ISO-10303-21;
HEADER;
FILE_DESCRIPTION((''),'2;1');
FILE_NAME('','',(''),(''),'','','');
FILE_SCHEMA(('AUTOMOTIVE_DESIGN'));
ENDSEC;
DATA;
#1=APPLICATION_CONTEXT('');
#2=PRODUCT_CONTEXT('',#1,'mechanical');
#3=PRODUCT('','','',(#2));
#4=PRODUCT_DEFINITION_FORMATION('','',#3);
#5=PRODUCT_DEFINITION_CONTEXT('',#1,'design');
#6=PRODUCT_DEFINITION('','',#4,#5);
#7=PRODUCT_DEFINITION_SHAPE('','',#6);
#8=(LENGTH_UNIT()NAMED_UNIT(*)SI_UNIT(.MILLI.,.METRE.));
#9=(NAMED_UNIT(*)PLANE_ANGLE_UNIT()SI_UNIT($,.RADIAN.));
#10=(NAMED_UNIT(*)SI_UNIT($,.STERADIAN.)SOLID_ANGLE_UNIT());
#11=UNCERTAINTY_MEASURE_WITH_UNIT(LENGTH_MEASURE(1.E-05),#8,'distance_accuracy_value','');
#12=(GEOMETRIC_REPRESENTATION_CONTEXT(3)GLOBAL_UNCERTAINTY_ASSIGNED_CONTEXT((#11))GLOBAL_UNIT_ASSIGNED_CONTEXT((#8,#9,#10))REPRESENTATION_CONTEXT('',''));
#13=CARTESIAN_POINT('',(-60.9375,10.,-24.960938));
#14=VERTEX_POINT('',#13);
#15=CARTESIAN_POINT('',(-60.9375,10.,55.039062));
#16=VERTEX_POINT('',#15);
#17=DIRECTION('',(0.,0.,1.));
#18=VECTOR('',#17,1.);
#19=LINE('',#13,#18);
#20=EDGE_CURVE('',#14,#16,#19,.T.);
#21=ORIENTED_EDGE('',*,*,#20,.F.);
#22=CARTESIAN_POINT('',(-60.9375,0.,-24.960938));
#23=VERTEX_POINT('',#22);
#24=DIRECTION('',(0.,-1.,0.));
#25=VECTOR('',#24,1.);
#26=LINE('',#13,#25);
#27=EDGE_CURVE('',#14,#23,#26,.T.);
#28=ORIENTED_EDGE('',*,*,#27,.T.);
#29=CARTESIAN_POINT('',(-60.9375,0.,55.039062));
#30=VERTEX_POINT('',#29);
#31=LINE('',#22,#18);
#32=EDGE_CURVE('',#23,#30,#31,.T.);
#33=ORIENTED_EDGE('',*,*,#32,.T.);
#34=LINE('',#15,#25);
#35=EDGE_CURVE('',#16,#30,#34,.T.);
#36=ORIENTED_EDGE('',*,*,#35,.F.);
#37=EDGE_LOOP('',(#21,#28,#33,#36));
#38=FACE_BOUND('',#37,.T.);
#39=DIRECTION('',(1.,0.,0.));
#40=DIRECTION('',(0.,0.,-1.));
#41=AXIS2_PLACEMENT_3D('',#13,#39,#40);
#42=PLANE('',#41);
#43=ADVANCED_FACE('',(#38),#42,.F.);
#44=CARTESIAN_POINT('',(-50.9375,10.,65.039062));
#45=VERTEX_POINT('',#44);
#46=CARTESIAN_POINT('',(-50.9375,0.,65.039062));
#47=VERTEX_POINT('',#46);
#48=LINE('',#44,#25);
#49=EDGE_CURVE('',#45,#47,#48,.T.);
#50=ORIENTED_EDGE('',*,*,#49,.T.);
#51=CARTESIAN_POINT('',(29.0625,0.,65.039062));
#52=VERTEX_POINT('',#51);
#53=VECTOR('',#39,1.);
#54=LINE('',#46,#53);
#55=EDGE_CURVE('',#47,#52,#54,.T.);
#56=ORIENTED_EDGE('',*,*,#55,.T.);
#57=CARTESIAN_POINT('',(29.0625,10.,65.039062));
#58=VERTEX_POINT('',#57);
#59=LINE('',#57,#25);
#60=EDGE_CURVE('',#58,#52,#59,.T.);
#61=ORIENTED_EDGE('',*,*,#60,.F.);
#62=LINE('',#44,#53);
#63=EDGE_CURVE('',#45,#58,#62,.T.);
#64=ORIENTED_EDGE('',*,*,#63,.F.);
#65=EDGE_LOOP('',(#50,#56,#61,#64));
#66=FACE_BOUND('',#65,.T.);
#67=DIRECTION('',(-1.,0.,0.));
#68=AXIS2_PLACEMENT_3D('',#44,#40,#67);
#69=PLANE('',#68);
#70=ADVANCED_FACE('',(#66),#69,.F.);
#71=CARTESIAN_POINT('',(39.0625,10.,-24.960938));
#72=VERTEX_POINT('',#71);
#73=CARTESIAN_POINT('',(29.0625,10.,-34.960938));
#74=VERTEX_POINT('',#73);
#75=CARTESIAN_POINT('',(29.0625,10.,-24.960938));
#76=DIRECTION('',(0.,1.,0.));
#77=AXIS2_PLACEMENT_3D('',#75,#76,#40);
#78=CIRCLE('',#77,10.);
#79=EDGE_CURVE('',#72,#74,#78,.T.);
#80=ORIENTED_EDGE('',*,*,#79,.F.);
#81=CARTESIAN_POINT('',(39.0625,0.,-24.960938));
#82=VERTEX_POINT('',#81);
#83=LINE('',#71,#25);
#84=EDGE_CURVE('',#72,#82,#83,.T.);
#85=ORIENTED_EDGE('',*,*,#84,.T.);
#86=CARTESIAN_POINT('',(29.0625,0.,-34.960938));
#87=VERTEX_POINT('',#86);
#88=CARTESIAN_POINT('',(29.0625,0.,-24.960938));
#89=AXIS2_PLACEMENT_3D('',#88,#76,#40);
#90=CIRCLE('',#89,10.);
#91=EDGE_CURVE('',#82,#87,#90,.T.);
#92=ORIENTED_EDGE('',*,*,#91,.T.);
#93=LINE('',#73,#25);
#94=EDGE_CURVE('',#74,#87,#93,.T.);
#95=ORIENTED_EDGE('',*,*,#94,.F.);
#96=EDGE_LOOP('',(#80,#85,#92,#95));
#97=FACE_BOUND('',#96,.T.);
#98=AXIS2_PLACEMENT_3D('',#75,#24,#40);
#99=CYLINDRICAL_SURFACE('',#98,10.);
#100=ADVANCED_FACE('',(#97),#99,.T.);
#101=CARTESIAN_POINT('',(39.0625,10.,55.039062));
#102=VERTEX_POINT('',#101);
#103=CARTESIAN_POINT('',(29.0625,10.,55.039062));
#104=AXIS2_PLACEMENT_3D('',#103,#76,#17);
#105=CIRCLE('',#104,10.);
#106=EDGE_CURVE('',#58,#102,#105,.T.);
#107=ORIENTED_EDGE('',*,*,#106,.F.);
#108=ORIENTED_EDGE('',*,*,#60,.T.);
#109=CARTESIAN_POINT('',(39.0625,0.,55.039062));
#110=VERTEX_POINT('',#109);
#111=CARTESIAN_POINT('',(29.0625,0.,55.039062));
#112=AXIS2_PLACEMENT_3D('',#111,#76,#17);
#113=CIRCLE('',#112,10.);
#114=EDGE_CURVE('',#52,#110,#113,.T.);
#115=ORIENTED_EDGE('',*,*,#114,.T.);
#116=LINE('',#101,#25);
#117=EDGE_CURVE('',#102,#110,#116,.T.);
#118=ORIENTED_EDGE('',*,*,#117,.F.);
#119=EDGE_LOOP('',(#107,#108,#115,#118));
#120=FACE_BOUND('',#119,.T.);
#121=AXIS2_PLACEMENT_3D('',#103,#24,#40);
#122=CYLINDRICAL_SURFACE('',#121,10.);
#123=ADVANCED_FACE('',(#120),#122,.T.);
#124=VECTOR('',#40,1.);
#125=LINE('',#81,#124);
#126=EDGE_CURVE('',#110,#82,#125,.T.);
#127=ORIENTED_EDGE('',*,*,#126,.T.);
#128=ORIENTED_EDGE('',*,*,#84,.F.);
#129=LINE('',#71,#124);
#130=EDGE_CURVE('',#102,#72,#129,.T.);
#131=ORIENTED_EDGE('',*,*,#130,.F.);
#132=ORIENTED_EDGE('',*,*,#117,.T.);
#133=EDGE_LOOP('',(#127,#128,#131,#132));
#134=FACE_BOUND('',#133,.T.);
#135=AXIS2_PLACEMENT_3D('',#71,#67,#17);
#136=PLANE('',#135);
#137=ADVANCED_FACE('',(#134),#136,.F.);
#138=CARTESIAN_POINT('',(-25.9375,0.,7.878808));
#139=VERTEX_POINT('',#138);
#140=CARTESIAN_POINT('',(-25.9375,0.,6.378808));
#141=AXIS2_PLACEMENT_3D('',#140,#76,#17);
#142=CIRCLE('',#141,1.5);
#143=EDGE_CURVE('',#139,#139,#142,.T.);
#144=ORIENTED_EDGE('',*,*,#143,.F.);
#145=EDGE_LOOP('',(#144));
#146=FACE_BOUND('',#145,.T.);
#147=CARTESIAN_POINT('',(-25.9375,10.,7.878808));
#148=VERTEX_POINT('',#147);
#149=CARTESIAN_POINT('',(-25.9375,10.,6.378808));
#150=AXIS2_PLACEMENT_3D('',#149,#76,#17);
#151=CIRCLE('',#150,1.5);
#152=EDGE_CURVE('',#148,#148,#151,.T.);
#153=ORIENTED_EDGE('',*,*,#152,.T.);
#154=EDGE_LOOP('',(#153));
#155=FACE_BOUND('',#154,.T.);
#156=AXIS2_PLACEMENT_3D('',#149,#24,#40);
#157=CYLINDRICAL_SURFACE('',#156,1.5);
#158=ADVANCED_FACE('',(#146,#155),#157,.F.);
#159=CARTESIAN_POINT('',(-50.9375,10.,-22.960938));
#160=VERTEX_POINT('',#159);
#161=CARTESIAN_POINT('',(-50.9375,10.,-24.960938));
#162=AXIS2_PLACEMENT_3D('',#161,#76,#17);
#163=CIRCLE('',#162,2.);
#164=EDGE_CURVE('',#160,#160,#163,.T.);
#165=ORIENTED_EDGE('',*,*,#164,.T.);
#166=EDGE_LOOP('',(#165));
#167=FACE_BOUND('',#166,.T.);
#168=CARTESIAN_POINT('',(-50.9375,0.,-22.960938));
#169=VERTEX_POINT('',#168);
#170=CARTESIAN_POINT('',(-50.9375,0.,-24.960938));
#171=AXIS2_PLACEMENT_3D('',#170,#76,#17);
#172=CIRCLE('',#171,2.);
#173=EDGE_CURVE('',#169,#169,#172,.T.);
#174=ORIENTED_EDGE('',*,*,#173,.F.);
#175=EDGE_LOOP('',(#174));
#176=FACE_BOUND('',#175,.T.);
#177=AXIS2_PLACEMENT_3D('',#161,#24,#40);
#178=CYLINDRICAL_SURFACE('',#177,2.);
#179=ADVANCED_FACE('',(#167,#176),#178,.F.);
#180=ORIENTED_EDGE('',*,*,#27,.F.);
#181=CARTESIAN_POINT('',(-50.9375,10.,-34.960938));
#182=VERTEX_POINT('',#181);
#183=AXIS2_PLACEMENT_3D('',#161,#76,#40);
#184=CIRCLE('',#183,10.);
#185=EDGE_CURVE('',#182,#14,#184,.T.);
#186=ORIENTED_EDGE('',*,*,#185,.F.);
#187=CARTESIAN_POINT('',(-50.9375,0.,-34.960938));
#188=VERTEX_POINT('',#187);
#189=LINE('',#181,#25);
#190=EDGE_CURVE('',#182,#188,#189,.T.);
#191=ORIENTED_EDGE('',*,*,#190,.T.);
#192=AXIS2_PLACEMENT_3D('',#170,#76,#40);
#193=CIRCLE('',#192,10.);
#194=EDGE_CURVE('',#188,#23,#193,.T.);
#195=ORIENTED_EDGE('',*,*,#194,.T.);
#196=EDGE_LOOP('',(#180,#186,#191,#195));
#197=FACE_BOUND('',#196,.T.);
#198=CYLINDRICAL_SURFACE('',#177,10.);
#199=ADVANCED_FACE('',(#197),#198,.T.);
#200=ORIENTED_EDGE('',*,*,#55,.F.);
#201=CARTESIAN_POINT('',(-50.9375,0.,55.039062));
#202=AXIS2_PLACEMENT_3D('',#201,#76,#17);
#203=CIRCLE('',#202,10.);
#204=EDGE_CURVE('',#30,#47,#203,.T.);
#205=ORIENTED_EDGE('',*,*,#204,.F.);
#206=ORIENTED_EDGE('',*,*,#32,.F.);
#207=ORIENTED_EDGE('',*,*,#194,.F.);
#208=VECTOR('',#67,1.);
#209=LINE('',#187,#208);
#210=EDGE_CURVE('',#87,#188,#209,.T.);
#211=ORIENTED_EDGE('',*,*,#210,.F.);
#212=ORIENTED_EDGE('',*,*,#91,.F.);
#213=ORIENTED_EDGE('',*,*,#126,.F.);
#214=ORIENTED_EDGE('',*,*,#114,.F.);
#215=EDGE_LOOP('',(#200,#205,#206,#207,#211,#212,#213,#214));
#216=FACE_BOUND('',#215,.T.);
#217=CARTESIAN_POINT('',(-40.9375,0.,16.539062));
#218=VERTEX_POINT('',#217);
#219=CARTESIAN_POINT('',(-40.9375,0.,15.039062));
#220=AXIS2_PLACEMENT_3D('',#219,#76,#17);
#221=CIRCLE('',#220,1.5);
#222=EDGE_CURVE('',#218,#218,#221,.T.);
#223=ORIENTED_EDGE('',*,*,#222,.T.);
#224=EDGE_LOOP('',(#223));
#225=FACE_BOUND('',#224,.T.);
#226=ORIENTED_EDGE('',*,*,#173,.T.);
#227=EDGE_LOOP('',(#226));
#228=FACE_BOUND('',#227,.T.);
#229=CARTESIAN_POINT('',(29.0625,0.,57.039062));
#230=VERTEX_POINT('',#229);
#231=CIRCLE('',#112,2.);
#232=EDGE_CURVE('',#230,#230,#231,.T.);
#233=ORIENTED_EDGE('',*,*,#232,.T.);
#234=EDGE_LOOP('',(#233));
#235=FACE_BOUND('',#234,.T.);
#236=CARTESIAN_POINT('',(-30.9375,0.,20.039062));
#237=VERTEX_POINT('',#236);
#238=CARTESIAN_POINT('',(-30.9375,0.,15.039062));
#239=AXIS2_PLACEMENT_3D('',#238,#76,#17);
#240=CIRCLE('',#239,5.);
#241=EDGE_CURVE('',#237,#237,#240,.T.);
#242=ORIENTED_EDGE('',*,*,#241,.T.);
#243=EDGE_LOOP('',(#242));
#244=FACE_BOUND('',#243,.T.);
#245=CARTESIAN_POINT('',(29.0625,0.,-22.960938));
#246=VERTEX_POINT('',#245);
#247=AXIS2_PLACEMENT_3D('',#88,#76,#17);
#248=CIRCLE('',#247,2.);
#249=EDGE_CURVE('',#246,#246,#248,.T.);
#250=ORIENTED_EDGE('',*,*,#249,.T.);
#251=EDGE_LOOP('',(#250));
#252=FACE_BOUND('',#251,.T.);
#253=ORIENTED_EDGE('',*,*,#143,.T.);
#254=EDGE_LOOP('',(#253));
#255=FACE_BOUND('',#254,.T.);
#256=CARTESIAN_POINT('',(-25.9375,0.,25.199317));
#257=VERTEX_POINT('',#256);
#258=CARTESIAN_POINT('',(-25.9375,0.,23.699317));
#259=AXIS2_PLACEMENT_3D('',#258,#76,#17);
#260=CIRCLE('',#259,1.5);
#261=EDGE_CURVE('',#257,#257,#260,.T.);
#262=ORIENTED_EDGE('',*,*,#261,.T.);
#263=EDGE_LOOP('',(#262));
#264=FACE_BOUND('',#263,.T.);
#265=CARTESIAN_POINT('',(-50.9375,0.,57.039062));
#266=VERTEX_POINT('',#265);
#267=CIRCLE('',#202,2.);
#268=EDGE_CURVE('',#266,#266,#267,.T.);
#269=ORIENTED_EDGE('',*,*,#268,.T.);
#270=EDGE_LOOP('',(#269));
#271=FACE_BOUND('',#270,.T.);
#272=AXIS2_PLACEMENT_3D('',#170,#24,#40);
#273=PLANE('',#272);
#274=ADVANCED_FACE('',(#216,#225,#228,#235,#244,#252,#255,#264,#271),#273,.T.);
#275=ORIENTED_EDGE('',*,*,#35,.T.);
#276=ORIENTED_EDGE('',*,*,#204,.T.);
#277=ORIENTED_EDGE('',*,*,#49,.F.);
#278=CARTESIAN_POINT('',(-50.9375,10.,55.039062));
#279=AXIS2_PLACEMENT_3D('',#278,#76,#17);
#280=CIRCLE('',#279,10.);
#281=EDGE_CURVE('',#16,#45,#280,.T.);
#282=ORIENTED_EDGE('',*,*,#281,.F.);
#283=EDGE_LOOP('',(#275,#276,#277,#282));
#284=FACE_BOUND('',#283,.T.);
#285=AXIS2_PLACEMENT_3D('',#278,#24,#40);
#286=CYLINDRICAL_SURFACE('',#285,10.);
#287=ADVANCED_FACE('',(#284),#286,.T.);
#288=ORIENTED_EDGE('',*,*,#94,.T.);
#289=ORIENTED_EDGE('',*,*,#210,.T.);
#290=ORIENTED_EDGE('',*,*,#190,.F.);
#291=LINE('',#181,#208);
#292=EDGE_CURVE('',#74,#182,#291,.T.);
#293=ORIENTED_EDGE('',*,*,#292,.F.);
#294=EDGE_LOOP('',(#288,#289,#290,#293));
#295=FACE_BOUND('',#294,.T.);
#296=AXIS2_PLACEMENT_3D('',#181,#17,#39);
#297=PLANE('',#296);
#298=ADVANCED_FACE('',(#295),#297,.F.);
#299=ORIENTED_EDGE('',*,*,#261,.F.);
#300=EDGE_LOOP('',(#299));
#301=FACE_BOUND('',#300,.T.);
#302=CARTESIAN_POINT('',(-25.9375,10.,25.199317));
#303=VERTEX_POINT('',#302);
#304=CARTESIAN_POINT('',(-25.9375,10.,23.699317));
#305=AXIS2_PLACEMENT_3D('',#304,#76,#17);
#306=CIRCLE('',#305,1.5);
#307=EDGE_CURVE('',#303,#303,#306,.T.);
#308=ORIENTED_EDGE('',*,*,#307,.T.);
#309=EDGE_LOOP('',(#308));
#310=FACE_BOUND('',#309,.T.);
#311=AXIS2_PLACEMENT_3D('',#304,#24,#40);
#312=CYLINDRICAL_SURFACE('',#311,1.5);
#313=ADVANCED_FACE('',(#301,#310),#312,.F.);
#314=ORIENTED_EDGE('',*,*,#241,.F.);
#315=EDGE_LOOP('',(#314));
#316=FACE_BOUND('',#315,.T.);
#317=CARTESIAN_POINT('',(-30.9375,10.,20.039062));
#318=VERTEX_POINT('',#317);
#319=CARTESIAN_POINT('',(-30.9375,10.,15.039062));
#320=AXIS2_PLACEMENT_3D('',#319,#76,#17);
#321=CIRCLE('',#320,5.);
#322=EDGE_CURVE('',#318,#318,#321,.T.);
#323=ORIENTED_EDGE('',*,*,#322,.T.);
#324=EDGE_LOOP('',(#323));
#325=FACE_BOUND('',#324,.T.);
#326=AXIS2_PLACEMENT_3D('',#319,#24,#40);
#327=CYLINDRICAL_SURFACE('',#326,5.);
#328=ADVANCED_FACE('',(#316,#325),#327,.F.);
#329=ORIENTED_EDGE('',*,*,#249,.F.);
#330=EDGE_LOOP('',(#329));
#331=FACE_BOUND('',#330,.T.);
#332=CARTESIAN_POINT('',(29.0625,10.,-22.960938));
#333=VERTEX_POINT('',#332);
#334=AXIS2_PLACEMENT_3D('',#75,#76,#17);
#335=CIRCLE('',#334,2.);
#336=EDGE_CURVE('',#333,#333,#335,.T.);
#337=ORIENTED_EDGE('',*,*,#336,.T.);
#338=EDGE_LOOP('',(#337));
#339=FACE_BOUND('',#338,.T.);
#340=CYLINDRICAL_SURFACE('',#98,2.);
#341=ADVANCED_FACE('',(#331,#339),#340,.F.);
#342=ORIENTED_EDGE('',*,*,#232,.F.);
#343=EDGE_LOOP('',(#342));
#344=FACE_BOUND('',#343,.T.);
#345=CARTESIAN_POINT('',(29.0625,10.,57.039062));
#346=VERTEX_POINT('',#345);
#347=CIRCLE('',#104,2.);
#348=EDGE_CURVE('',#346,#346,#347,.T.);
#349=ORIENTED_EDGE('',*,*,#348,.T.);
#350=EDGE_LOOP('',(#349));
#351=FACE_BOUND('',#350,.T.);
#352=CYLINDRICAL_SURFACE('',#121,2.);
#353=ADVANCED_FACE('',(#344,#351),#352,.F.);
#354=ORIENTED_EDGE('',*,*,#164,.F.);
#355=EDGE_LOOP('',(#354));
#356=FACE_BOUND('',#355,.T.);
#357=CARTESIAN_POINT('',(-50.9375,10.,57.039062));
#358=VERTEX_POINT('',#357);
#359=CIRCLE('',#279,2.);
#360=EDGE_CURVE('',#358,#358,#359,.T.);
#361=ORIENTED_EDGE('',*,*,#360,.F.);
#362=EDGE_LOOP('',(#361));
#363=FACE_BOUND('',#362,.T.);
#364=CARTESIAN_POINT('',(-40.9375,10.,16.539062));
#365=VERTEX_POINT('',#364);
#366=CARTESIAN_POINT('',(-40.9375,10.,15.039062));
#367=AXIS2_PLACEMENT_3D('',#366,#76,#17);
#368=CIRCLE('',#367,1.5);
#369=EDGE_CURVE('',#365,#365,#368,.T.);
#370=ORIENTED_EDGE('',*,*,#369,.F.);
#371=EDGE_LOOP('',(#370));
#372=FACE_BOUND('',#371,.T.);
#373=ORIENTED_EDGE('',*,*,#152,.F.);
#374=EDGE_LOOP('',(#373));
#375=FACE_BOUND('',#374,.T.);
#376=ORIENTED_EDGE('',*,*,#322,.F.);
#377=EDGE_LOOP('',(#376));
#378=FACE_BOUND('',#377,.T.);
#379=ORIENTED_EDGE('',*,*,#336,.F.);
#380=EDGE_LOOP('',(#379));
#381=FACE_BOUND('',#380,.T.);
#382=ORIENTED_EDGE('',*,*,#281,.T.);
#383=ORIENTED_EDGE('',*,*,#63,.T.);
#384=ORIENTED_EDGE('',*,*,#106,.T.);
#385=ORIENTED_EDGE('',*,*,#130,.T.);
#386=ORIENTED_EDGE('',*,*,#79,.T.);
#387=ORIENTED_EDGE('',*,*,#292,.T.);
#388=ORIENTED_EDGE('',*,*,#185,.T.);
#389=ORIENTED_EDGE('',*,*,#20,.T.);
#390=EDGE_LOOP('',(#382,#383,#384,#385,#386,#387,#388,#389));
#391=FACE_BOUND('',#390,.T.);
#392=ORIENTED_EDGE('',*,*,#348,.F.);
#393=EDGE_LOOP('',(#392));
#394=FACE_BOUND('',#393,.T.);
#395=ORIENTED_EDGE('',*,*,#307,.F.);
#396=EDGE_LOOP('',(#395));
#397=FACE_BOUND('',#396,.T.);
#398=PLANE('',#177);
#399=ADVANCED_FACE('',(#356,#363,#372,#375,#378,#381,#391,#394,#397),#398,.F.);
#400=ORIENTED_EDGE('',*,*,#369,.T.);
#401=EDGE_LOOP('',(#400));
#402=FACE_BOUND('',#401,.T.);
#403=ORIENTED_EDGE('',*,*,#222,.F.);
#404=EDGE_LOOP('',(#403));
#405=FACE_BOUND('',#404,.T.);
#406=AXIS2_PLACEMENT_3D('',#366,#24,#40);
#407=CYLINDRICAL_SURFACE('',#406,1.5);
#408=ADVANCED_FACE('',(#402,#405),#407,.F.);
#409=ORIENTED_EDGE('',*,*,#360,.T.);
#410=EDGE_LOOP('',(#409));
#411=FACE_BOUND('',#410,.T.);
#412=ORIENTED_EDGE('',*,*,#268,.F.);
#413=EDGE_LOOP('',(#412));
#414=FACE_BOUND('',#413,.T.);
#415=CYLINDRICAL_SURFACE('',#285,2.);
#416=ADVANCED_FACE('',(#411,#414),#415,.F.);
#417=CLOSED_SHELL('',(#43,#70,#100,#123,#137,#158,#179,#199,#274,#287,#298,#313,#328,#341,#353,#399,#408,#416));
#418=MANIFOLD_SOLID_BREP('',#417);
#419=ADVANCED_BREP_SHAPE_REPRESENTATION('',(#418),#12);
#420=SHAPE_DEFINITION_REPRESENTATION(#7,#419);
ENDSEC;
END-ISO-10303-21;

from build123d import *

# Parameters (mm, degrees)
SKETCH_1_R      = 2
SKETCH_1_R_2    = 5
SKETCH_1_R_3    = 1.5
EXTRUDE_1_DEPTH = 10


with BuildPart() as part:
    # 草图1 → 凸台-拉伸1 (new body)
    with BuildSketch(Plane(origin=(0, 0, 0), x_dir=(1, 0, 0), z_dir=(0, 1, 0))):
        with BuildLine():
            Line((-50.9375, 34.9609375), (29.0625, 34.9609375))
            ThreePointArc((29.0625, 34.9609375), (36.133567812, 32.032005312), (39.0625, 24.9609375))
            Line((39.0625, 24.9609375), (39.0625, -55.0390625))
            ThreePointArc((39.0625, -55.0390625), (36.133567812, -62.110130312), (29.0625, -65.0390625))
            Line((29.0625, -65.0390625), (-50.9375, -65.0390625))
            ThreePointArc((-50.9375, -65.0390625), (-58.008567812, -62.110130312), (-60.9375, -55.0390625))
            Line((-60.9375, -55.0390625), (-60.9375, 24.9609375))
            ThreePointArc((-60.9375, 24.9609375), (-58.008567812, 32.032005312), (-50.9375, 34.9609375))
        make_face()
        with Locations(Location((-50.9375, 24.9609375, 0), (0, 0, 270))):
            Circle(SKETCH_1_R, mode=Mode.SUBTRACT)
        with Locations(Location((-50.9375, -55.0390625, 0), (0, 0, 270))):
            Circle(SKETCH_1_R, mode=Mode.SUBTRACT)
        with Locations(Location((29.0625, 24.9609375, 0), (0, 0, 270))):
            Circle(SKETCH_1_R, mode=Mode.SUBTRACT)
        with Locations(Location((29.0625, -55.0390625, 0), (0, 0, 270))):
            Circle(SKETCH_1_R, mode=Mode.SUBTRACT)
        with Locations(Location((-30.9375, -15.0390625, 0), (0, 0, 270))):
            Circle(SKETCH_1_R_2, mode=Mode.SUBTRACT)
        with Locations(Location((-40.9375, -15.0390625, 0), (0, 0, 270))):
            Circle(SKETCH_1_R_3, mode=Mode.SUBTRACT)
        with Locations(Location((-25.9375, -23.699316538, 0), (0, 0, 270))):
            Circle(SKETCH_1_R_3, mode=Mode.SUBTRACT)
        with Locations(Location((-25.9375, -6.378808462, 0), (0, 0, 270))):
            Circle(SKETCH_1_R_3, mode=Mode.SUBTRACT)
    extrude(amount=EXTRUDE_1_DEPTH)


solid = part.part
